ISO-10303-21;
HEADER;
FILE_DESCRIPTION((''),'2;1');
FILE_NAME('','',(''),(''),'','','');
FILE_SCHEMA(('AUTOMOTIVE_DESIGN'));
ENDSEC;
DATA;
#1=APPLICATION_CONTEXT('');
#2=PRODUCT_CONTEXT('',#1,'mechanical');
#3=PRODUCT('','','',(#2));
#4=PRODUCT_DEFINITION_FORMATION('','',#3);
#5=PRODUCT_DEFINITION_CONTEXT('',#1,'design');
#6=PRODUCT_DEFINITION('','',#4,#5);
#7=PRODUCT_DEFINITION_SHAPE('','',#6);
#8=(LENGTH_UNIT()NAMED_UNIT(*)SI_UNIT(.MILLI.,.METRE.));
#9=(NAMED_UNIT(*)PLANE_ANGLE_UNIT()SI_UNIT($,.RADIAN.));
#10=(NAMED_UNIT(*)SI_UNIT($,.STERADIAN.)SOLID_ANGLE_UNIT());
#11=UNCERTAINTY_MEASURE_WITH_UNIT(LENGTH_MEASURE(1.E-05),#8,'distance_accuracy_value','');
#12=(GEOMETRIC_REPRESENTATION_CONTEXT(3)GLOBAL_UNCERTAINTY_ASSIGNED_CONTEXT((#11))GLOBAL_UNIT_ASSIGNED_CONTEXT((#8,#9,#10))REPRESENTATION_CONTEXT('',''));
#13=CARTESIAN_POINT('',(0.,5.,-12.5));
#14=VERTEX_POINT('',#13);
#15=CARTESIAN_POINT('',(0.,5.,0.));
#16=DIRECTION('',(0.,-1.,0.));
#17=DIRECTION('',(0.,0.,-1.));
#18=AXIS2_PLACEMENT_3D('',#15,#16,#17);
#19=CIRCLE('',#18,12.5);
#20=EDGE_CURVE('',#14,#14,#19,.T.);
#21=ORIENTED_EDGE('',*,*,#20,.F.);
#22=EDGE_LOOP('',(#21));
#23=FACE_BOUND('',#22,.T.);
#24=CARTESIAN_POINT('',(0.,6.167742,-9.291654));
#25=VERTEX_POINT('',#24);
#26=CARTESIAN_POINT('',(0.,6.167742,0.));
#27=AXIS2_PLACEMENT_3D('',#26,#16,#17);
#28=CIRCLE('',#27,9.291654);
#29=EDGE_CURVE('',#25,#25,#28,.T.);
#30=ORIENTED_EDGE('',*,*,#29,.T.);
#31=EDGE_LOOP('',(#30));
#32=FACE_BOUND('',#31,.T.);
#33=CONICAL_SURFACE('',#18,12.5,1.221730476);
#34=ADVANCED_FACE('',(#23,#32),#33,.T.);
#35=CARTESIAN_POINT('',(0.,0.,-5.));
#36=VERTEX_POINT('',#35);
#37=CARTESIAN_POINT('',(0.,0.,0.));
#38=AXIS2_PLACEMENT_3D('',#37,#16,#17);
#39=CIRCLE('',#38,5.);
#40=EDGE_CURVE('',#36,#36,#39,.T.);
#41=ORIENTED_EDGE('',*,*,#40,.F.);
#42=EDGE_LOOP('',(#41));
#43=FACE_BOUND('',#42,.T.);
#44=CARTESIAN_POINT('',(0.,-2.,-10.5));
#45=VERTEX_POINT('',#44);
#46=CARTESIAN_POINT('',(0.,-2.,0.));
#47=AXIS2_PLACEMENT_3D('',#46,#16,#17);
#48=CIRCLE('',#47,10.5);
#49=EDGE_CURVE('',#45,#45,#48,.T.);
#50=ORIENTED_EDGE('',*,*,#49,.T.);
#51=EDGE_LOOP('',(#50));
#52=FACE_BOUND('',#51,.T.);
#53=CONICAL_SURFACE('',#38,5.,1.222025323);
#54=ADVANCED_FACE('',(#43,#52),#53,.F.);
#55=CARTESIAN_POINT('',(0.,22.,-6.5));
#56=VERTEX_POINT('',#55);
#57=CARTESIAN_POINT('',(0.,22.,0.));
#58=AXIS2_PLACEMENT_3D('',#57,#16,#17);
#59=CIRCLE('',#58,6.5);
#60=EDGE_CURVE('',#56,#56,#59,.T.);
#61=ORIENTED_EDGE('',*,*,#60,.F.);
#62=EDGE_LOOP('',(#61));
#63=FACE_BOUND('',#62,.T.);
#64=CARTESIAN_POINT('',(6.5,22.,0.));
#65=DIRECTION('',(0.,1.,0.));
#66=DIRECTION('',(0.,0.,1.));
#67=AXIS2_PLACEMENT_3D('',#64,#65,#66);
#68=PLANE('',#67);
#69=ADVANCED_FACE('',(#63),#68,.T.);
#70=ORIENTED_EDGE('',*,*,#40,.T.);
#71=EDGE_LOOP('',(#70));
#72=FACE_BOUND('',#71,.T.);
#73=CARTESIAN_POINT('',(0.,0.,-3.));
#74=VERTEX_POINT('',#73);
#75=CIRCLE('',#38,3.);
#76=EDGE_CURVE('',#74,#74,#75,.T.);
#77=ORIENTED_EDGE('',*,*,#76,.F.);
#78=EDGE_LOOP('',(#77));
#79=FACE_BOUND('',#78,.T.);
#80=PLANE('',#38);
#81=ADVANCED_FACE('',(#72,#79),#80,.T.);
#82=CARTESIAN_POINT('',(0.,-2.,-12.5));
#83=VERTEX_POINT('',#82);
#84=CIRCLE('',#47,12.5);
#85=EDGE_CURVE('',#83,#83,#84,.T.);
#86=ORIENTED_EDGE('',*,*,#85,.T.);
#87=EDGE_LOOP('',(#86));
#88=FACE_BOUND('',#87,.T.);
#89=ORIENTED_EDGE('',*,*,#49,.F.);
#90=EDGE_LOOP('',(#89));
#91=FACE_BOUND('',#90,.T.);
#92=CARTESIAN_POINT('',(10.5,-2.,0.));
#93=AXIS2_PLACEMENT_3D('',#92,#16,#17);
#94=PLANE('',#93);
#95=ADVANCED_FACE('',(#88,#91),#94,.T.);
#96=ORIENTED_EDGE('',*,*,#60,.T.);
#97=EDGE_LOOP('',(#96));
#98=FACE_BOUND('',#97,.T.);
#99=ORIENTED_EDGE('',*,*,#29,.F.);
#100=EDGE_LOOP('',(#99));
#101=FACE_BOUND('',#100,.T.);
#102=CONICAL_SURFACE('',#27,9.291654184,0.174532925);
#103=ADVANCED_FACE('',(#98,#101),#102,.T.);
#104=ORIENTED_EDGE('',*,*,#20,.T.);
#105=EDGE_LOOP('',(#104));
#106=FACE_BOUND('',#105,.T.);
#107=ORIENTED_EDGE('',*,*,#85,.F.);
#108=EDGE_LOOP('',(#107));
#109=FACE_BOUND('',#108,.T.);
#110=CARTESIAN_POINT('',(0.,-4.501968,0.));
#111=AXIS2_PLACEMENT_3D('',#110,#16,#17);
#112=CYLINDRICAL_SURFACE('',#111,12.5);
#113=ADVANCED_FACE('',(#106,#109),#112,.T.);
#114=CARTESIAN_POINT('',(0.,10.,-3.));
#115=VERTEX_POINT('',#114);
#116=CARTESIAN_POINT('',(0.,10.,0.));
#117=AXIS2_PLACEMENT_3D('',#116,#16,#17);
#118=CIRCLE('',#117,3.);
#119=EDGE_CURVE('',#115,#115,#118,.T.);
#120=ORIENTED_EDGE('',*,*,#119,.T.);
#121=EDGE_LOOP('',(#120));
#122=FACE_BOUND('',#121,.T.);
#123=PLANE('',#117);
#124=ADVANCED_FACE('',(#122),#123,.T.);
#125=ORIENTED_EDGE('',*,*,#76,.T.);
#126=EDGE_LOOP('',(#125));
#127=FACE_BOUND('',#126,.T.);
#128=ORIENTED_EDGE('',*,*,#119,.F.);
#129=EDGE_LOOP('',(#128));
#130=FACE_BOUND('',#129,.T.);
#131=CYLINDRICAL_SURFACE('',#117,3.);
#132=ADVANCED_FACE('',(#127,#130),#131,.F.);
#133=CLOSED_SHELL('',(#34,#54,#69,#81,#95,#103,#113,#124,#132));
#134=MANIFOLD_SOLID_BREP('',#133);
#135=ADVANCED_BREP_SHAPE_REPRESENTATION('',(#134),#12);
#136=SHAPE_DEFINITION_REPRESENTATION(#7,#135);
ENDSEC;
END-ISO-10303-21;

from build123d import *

# Parameters (mm, degrees)
SKETCH3_R          = 3
CUT_EXTRUDE1_DEPTH = 10


with BuildPart() as part:
    # Sketch2 → Revolve1 (revolve)
    with BuildSketch(Plane.XY):
        Polygon((0, 0), (5, 0), (10.5, -2), (12.5, -2), (12.5, 5), (9.291654184, 6.167742378), (6.5, 22), (0, 22), align=None)
    revolve(axis=Axis((0, -4.501967694, 0), (0, 1, 0)))

    # Sketch3 → Cut-Extrude1 (cut)
    with BuildSketch(Plane.XZ):
        Circle(SKETCH3_R)
    extrude(amount=-CUT_EXTRUDE1_DEPTH, mode=Mode.SUBTRACT)


solid = part.part
